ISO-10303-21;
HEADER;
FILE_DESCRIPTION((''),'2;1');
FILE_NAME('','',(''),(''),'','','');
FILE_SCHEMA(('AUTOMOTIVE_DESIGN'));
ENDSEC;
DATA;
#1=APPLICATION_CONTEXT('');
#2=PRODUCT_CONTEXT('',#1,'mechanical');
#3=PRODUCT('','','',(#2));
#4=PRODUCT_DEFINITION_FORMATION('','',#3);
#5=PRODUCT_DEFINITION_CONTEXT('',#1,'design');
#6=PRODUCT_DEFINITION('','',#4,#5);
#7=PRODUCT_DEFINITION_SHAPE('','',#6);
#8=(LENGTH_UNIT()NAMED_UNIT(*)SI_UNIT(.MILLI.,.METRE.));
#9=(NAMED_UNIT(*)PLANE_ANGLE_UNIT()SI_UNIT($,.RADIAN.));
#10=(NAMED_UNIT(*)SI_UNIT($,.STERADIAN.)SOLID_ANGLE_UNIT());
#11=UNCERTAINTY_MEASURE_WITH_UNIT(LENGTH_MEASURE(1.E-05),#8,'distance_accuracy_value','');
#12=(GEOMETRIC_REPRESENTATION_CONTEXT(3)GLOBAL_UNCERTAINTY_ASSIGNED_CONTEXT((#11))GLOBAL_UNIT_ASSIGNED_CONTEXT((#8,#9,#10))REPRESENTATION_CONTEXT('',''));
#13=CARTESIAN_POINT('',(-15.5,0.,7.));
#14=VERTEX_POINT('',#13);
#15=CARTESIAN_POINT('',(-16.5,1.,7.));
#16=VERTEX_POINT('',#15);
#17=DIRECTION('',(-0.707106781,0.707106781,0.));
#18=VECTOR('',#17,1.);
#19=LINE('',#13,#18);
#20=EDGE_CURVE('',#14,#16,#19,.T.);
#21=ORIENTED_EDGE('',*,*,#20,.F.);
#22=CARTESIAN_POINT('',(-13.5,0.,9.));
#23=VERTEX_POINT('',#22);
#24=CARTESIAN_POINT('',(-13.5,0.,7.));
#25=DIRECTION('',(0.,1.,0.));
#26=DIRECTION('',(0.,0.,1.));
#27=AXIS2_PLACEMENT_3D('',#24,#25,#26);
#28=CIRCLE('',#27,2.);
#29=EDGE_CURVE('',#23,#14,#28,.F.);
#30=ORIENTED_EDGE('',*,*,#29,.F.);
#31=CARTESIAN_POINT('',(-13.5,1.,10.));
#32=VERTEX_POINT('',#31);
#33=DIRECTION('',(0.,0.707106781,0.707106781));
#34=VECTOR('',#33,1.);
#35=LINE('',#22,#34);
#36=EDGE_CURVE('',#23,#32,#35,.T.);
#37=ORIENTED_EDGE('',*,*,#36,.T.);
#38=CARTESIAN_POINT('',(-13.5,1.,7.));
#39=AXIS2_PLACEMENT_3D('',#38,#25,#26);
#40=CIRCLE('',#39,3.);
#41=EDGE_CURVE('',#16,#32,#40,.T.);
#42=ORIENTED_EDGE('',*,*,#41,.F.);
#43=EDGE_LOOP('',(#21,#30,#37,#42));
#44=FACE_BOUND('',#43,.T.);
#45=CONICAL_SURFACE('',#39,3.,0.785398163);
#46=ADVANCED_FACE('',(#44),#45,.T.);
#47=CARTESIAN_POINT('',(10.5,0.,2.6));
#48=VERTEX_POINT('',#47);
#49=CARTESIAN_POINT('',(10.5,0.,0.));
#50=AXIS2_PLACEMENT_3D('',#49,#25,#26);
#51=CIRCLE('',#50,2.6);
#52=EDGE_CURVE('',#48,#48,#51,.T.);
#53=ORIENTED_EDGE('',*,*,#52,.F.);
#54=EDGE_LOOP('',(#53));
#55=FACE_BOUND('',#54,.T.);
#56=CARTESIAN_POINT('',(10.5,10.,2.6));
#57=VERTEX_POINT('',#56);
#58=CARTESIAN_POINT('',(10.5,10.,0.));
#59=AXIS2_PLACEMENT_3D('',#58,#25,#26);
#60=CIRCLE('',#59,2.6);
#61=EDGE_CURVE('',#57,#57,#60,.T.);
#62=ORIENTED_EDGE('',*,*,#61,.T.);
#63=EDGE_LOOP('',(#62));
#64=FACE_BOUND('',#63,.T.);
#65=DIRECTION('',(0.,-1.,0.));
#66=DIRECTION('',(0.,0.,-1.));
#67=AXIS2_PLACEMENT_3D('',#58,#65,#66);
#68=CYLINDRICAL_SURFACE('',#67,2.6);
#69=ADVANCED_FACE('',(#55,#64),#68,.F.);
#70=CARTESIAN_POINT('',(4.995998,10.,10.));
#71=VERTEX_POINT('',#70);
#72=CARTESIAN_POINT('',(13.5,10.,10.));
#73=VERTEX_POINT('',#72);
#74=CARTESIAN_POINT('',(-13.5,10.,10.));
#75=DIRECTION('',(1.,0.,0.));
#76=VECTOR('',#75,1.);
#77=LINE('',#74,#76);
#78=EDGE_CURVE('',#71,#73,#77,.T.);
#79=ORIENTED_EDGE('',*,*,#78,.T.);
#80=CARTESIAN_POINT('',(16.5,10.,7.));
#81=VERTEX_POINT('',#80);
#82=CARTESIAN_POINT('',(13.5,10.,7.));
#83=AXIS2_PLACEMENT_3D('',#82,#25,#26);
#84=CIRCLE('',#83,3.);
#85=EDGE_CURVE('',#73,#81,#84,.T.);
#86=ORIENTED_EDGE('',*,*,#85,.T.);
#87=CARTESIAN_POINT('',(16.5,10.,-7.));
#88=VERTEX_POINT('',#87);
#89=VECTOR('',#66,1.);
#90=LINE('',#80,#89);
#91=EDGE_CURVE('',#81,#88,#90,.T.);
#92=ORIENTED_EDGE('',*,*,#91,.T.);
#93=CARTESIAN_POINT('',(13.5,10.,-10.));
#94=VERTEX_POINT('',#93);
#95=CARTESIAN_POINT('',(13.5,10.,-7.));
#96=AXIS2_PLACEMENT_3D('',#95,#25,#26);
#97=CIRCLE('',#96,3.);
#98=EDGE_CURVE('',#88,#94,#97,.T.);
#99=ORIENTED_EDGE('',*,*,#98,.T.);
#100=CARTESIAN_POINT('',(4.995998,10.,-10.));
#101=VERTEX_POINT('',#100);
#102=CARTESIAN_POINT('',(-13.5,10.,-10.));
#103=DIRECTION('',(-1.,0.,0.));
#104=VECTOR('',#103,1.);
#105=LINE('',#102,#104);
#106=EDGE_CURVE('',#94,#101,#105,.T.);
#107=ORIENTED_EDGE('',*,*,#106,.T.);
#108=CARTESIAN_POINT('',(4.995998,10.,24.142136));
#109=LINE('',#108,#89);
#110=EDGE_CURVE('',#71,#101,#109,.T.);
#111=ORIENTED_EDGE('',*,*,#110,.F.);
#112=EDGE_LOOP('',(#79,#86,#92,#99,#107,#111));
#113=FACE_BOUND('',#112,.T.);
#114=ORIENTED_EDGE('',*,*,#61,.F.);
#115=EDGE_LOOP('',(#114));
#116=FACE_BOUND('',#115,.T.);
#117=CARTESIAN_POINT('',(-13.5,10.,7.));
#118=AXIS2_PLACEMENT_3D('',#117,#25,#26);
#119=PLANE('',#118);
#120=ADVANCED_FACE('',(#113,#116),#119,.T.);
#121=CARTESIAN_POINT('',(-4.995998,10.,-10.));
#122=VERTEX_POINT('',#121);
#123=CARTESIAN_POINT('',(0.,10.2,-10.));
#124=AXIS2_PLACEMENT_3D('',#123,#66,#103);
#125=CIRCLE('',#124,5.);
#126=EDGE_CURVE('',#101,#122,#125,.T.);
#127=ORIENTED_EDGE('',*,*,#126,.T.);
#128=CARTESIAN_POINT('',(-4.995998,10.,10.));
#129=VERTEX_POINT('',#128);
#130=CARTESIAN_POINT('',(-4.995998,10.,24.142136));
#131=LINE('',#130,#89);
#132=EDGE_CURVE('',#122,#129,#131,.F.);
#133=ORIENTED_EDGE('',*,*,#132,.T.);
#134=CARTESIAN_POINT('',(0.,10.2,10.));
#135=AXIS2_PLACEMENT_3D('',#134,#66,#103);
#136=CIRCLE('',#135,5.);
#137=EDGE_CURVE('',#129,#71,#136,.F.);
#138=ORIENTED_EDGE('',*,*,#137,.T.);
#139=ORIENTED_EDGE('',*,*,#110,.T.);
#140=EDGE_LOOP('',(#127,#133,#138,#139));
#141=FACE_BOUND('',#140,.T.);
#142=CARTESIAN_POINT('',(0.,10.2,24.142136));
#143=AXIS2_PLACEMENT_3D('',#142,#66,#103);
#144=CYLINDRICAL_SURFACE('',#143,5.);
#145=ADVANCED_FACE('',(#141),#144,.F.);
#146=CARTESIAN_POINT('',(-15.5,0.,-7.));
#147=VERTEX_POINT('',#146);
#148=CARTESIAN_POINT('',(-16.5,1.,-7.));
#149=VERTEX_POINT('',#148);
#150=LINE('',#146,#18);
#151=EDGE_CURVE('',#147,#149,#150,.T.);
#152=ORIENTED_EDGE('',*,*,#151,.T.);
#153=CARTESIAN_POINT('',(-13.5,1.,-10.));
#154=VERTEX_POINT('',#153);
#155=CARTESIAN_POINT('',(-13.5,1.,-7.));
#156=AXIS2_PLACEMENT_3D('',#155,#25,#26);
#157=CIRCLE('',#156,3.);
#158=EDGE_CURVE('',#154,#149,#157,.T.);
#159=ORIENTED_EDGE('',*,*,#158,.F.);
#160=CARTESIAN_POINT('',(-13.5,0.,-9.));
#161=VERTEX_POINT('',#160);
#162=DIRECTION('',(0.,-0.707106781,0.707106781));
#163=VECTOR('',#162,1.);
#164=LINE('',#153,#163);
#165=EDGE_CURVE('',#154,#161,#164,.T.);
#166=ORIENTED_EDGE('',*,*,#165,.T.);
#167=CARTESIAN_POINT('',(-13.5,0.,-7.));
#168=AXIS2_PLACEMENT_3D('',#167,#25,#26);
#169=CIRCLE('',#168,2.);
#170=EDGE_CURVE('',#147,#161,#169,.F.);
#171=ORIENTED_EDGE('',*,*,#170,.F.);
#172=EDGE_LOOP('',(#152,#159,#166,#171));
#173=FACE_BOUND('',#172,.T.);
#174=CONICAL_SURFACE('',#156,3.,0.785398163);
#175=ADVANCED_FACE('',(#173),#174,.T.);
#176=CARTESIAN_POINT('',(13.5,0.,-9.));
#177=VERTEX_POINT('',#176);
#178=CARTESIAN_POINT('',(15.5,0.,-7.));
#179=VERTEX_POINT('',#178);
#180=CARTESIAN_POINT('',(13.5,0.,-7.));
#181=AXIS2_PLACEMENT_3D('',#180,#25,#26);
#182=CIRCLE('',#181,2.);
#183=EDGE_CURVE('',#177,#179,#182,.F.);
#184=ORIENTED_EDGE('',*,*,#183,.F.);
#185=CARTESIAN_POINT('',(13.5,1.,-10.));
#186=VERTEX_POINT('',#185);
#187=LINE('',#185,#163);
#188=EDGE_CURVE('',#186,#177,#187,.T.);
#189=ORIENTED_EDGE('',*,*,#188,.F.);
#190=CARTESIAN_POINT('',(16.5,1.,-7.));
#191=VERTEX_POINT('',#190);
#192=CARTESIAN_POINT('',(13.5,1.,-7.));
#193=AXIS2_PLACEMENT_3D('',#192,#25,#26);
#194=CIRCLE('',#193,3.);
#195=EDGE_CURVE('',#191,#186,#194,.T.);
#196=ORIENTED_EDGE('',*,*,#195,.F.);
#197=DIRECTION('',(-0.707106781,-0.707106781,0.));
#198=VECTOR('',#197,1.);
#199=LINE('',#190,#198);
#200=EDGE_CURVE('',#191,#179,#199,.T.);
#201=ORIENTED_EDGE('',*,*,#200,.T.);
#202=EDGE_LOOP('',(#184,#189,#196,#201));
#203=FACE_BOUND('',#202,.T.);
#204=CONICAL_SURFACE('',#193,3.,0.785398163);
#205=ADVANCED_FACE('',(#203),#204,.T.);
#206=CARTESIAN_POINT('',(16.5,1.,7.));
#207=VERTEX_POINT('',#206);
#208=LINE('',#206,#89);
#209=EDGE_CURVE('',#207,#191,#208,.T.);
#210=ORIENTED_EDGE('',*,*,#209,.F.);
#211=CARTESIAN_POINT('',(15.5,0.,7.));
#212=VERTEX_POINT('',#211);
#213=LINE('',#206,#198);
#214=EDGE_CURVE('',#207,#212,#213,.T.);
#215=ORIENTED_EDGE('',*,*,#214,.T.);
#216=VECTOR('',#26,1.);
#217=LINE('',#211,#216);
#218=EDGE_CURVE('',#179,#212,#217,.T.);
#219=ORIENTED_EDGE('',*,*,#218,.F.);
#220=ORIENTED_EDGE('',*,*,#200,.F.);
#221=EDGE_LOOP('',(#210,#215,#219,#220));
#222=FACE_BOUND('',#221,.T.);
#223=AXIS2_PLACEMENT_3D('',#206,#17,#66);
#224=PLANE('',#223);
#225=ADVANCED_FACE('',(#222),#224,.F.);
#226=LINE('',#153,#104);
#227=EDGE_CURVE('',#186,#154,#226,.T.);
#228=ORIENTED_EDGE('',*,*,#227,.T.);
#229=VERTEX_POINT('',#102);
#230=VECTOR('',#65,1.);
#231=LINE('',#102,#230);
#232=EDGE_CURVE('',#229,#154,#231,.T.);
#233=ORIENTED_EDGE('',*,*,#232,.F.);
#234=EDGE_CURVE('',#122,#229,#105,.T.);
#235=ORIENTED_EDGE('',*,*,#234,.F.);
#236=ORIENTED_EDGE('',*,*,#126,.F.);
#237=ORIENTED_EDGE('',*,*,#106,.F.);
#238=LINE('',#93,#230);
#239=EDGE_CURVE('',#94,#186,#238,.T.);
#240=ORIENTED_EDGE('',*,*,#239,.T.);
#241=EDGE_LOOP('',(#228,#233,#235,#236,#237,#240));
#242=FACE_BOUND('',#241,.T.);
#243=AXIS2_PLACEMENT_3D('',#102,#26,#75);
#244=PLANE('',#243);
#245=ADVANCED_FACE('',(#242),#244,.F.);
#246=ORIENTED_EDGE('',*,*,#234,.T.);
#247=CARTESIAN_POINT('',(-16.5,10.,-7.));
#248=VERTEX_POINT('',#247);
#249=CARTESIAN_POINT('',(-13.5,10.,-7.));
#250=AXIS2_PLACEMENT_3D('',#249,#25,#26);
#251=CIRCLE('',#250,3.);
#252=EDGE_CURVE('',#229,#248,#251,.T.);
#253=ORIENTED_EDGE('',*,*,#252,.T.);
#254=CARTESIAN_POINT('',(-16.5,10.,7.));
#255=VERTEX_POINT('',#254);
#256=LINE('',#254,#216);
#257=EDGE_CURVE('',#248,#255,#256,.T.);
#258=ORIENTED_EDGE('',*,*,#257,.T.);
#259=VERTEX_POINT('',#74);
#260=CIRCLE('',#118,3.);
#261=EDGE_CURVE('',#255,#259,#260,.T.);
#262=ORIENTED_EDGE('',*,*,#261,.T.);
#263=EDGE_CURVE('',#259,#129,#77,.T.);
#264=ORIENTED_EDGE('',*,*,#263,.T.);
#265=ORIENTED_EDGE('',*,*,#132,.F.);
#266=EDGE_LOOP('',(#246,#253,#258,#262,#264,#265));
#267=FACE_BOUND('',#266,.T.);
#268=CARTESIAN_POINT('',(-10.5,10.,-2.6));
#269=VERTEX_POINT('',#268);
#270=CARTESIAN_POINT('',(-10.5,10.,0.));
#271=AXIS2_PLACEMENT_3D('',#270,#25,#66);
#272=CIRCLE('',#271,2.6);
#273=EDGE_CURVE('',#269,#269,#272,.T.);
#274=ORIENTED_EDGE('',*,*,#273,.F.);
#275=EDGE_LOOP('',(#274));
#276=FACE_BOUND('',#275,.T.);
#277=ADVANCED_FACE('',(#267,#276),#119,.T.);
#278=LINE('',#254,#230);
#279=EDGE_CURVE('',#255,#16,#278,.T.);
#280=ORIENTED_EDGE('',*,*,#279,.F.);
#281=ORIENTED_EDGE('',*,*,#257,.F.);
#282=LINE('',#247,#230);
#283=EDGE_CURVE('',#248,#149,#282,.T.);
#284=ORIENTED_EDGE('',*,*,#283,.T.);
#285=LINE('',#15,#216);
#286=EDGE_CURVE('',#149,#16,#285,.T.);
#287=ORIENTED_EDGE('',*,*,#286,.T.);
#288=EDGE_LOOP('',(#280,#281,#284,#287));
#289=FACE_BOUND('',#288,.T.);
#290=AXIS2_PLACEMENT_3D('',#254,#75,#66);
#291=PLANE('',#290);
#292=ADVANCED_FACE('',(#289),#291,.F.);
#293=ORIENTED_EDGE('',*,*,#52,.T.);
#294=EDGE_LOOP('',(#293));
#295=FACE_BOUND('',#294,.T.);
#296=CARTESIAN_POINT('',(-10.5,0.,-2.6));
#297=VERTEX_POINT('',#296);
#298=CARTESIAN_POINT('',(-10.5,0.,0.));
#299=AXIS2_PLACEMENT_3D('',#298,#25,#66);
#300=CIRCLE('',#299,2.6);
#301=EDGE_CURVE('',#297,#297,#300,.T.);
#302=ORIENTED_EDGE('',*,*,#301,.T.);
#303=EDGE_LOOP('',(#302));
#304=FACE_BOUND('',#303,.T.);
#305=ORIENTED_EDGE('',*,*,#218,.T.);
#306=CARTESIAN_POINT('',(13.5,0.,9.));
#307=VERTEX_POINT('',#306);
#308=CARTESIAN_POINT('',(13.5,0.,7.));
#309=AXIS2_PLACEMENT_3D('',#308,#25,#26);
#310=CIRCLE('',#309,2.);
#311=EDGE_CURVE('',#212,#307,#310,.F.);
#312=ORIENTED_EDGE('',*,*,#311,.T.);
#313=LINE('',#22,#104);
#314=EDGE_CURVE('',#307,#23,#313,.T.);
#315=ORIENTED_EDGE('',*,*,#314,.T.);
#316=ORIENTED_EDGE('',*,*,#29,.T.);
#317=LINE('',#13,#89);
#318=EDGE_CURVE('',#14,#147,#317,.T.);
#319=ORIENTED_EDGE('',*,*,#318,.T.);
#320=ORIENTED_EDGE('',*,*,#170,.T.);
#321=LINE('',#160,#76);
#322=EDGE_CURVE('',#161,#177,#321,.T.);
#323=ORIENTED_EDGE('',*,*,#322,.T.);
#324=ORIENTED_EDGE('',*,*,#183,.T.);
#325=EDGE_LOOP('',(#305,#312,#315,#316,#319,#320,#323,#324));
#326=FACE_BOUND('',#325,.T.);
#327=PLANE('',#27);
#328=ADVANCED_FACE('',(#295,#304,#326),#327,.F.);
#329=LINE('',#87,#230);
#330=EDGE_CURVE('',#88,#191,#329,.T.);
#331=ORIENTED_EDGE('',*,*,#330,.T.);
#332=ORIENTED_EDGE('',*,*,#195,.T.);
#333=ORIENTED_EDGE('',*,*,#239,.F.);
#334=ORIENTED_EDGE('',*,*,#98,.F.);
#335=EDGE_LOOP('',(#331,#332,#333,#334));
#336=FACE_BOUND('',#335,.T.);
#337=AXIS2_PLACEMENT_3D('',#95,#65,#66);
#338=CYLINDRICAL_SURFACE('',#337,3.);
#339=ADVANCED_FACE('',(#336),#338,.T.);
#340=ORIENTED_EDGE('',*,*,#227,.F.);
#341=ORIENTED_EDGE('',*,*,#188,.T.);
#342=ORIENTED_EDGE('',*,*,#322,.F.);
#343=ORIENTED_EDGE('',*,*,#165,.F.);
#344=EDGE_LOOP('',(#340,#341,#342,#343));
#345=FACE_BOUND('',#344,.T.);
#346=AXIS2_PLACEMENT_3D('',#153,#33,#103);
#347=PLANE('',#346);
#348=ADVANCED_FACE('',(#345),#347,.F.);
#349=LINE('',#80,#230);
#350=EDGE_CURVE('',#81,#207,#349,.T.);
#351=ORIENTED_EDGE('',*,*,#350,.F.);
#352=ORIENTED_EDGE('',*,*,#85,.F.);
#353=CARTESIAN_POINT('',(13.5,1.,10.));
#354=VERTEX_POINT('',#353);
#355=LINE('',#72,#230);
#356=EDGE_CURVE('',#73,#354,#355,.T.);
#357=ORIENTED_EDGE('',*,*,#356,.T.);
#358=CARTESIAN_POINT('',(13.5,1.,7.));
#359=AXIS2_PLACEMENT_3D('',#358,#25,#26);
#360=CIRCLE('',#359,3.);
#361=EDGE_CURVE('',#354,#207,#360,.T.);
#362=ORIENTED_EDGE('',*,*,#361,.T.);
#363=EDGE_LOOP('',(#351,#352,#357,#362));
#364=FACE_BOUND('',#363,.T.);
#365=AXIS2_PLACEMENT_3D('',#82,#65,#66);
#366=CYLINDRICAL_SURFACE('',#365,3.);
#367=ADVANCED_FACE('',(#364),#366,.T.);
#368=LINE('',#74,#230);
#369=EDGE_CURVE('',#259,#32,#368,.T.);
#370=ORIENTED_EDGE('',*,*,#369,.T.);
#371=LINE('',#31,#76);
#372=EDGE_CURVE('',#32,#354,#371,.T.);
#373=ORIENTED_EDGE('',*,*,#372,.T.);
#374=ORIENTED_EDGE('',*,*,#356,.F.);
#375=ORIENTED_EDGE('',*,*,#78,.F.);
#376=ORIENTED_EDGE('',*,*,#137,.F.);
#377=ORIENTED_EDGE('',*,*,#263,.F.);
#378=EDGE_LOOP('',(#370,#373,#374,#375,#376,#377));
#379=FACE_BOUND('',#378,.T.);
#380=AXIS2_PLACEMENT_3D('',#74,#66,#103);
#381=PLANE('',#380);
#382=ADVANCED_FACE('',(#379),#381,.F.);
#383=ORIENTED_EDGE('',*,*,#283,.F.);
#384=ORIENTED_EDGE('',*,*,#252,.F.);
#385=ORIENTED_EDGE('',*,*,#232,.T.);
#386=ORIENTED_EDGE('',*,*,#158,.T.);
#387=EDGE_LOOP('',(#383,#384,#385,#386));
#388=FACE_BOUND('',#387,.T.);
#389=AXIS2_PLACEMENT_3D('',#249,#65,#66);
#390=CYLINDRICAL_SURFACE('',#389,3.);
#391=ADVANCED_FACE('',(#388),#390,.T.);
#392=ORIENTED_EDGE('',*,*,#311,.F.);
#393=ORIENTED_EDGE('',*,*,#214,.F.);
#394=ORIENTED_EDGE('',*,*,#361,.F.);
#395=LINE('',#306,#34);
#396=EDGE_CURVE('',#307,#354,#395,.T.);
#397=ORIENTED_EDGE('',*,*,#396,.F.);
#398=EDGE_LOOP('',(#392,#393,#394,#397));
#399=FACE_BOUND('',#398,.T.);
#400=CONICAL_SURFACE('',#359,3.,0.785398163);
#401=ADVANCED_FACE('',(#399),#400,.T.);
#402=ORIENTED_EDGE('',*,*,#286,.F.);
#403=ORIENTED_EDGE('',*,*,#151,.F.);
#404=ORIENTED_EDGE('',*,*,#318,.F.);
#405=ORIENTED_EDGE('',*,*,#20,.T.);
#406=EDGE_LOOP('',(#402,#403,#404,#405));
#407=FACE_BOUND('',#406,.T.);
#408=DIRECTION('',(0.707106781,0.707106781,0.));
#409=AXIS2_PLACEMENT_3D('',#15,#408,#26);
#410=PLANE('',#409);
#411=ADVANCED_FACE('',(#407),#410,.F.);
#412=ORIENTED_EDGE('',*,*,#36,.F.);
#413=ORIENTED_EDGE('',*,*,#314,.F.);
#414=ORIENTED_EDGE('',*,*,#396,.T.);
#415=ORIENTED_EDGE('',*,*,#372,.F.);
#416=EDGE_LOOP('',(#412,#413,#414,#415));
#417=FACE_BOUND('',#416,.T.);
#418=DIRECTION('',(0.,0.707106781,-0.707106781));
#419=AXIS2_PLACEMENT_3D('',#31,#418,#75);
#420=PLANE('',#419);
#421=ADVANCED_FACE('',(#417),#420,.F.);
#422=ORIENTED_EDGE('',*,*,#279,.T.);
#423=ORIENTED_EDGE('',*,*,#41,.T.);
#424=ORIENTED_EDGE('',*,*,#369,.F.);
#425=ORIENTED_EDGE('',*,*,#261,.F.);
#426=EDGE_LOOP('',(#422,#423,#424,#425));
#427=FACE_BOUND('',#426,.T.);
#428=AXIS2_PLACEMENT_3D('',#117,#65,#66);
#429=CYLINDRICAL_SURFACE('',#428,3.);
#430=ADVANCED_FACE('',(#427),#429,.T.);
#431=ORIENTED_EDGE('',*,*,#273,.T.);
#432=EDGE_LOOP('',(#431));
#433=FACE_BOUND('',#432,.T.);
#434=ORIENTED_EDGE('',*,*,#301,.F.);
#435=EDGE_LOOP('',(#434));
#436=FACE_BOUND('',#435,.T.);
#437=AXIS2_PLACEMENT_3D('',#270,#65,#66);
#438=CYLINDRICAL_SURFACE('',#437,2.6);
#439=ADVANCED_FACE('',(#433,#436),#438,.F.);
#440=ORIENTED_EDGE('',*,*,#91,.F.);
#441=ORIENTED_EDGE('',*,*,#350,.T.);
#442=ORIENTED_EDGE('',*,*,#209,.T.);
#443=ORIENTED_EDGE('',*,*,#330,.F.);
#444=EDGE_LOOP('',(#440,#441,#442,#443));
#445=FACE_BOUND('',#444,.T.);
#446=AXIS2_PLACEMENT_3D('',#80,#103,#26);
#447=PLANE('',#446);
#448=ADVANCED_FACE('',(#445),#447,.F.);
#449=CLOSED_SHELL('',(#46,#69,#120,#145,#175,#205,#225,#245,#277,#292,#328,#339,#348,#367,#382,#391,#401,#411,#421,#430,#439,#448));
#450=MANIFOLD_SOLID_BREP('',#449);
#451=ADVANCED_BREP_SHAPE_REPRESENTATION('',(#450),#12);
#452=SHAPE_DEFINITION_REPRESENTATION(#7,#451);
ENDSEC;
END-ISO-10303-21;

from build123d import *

# Parameters (mm, degrees)
SKETCH1_R           = 2.6
BOSS_EXTRUDE3_DEPTH = 10
SKETCH5_R           = 5
CUT_EXTRUDE3_DEPTH  = 20
CHAMFER1_SIZE       = 1


with BuildPart() as part:
    # Sketch1 → Boss-Extrude3 (new body)
    with BuildSketch(Plane(origin=(0, 0, 0), x_dir=(1, 0, 0), z_dir=(0, 1, 0))):
        with BuildLine():
            Line((-13.5, -10), (13.5, -10))
            ThreePointArc((13.5, -10), (15.621320344, -9.121320344), (16.5, -7))
            Line((16.5, -7), (16.5, 7))
            ThreePointArc((16.5, 7), (15.621320344, 9.121320344), (13.5, 10))
            Line((13.5, 10), (-13.5, 10))
            ThreePointArc((-13.5, 10), (-15.621320344, 9.121320344), (-16.5, 7))
            Line((-16.5, 7), (-16.5, -7))
            ThreePointArc((-16.5, -7), (-15.621320344, -9.121320344), (-13.5, -10))
        make_face()
        with Locations(Location((10.5, 0, 0), (0, 0, 270))):
            Circle(SKETCH1_R, mode=Mode.SUBTRACT)
        with Locations(Location((-10.5, 0, 0), (0, 0, 90))):
            Circle(SKETCH1_R, mode=Mode.SUBTRACT)
    extrude(amount=BOSS_EXTRUDE3_DEPTH)

    # Sketch5 → Cut-Extrude3 (cut)
    with BuildSketch(Plane(origin=(0, 0, -10), x_dir=(-1, 0, 0), z_dir=(0, 0, -1))):
        with Locations((0, 10.2)):
            Circle(SKETCH5_R)
    extrude(amount=-CUT_EXTRUDE3_DEPTH, mode=Mode.SUBTRACT)

    # Chamfer1
    chamfer1_edges = [part.edges().sort_by_distance(p)[0] for p in [
        (0, 0, 10),
        (-15.621320344, 0, 9.121320344),
        (-16.5, 0, 0),
        (-15.621320344, 0, -9.121320344),
        (0, 0, -10),
        (15.621320344, 0, -9.121320344),
        (16.5, 0, 0),
        (15.621320344, 0, 9.121320344),
    ]]
    chamfer(chamfer1_edges, length=CHAMFER1_SIZE)


solid = part.part
